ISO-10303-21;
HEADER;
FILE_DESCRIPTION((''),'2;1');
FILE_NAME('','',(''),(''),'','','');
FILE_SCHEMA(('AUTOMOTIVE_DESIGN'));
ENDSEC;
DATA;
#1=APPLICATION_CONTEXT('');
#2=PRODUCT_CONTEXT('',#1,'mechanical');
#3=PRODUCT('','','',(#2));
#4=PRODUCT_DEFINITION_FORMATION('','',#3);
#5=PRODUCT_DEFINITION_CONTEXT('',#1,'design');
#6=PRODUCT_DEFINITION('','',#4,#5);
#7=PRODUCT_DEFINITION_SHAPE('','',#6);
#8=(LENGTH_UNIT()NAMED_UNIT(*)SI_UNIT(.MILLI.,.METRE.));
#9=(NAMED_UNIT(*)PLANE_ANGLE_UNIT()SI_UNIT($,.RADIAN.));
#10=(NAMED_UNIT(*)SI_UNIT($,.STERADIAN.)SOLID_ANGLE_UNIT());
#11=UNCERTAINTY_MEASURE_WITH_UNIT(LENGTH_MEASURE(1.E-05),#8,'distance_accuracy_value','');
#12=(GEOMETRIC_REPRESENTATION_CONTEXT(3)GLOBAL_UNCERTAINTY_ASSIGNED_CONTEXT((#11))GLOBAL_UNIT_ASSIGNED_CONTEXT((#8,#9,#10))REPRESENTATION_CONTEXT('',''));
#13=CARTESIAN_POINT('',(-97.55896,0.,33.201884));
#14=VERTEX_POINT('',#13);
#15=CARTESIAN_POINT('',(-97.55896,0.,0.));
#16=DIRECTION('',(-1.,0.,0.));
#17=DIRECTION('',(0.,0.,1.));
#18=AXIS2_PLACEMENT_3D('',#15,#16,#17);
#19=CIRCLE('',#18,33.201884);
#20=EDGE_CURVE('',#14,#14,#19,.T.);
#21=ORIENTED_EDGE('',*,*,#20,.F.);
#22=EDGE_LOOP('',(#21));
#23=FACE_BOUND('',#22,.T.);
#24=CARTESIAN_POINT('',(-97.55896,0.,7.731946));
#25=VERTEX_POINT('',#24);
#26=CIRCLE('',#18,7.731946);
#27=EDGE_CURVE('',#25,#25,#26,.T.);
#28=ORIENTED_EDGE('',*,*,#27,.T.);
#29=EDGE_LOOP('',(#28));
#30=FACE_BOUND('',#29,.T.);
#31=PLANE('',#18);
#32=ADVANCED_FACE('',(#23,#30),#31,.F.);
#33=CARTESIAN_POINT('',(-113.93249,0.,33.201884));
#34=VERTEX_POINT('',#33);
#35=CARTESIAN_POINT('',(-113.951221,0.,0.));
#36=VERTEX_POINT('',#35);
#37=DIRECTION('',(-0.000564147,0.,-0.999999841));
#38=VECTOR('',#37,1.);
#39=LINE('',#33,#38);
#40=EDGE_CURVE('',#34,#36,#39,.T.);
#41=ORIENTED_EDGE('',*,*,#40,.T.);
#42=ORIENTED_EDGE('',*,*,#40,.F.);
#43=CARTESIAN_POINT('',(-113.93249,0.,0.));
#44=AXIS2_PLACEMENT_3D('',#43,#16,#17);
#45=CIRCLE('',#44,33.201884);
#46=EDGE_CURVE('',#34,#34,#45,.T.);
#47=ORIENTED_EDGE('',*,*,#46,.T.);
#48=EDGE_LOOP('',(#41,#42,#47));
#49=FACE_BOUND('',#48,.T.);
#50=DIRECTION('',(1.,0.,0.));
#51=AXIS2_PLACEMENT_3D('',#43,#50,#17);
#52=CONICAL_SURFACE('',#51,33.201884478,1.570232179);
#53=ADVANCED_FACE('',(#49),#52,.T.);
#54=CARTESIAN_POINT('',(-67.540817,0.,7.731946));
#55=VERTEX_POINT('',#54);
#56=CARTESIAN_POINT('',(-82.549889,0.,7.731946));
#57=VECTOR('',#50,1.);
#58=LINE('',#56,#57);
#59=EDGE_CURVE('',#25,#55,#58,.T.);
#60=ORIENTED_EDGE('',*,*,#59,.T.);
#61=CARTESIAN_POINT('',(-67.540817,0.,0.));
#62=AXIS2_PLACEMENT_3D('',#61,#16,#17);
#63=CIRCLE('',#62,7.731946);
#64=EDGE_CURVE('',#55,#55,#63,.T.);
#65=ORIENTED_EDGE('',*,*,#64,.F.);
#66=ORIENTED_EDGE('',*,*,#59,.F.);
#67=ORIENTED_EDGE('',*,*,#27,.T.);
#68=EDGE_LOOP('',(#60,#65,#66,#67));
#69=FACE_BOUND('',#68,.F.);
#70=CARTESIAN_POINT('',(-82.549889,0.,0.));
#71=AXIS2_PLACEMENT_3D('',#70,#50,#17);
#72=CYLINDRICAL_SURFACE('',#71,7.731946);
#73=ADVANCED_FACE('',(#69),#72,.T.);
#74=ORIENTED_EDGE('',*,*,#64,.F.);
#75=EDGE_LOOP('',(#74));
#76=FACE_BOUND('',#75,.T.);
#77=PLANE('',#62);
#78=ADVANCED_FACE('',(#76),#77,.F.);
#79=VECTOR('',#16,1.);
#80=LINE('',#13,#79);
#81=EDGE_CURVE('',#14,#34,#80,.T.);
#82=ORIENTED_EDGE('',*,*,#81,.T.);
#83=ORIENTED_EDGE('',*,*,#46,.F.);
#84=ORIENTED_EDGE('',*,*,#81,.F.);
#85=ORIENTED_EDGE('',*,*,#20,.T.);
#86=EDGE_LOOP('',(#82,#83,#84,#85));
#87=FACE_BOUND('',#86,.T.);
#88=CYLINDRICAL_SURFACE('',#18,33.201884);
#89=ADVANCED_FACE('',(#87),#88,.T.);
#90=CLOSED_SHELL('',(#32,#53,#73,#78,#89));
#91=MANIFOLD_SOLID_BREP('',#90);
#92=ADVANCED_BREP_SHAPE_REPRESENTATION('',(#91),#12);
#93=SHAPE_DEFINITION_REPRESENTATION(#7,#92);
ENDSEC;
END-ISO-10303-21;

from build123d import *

# Parameters (mm, degrees)
F0_W = 30.0181433558
F0_H = 7.7319457196


with BuildPart() as f1:
    # F0 (on Front) → F1 (revolve)
    with BuildSketch(Plane.XZ):
        Polygon((-97.5589603186, 33.2018844783), (-113.9324903488, 33.2018844783), (-113.9512211084, 0), (-97.5589603186, 0), (-97.5589603186, 7.7319457196), align=None)
        with Locations((-82.5498886406, 3.8659728598)):
            Rectangle(F0_W, F0_H)
    revolve(axis=Axis((-90.7460190356, 0, 0), (-1, 0, 0)))


solid = f1.part
